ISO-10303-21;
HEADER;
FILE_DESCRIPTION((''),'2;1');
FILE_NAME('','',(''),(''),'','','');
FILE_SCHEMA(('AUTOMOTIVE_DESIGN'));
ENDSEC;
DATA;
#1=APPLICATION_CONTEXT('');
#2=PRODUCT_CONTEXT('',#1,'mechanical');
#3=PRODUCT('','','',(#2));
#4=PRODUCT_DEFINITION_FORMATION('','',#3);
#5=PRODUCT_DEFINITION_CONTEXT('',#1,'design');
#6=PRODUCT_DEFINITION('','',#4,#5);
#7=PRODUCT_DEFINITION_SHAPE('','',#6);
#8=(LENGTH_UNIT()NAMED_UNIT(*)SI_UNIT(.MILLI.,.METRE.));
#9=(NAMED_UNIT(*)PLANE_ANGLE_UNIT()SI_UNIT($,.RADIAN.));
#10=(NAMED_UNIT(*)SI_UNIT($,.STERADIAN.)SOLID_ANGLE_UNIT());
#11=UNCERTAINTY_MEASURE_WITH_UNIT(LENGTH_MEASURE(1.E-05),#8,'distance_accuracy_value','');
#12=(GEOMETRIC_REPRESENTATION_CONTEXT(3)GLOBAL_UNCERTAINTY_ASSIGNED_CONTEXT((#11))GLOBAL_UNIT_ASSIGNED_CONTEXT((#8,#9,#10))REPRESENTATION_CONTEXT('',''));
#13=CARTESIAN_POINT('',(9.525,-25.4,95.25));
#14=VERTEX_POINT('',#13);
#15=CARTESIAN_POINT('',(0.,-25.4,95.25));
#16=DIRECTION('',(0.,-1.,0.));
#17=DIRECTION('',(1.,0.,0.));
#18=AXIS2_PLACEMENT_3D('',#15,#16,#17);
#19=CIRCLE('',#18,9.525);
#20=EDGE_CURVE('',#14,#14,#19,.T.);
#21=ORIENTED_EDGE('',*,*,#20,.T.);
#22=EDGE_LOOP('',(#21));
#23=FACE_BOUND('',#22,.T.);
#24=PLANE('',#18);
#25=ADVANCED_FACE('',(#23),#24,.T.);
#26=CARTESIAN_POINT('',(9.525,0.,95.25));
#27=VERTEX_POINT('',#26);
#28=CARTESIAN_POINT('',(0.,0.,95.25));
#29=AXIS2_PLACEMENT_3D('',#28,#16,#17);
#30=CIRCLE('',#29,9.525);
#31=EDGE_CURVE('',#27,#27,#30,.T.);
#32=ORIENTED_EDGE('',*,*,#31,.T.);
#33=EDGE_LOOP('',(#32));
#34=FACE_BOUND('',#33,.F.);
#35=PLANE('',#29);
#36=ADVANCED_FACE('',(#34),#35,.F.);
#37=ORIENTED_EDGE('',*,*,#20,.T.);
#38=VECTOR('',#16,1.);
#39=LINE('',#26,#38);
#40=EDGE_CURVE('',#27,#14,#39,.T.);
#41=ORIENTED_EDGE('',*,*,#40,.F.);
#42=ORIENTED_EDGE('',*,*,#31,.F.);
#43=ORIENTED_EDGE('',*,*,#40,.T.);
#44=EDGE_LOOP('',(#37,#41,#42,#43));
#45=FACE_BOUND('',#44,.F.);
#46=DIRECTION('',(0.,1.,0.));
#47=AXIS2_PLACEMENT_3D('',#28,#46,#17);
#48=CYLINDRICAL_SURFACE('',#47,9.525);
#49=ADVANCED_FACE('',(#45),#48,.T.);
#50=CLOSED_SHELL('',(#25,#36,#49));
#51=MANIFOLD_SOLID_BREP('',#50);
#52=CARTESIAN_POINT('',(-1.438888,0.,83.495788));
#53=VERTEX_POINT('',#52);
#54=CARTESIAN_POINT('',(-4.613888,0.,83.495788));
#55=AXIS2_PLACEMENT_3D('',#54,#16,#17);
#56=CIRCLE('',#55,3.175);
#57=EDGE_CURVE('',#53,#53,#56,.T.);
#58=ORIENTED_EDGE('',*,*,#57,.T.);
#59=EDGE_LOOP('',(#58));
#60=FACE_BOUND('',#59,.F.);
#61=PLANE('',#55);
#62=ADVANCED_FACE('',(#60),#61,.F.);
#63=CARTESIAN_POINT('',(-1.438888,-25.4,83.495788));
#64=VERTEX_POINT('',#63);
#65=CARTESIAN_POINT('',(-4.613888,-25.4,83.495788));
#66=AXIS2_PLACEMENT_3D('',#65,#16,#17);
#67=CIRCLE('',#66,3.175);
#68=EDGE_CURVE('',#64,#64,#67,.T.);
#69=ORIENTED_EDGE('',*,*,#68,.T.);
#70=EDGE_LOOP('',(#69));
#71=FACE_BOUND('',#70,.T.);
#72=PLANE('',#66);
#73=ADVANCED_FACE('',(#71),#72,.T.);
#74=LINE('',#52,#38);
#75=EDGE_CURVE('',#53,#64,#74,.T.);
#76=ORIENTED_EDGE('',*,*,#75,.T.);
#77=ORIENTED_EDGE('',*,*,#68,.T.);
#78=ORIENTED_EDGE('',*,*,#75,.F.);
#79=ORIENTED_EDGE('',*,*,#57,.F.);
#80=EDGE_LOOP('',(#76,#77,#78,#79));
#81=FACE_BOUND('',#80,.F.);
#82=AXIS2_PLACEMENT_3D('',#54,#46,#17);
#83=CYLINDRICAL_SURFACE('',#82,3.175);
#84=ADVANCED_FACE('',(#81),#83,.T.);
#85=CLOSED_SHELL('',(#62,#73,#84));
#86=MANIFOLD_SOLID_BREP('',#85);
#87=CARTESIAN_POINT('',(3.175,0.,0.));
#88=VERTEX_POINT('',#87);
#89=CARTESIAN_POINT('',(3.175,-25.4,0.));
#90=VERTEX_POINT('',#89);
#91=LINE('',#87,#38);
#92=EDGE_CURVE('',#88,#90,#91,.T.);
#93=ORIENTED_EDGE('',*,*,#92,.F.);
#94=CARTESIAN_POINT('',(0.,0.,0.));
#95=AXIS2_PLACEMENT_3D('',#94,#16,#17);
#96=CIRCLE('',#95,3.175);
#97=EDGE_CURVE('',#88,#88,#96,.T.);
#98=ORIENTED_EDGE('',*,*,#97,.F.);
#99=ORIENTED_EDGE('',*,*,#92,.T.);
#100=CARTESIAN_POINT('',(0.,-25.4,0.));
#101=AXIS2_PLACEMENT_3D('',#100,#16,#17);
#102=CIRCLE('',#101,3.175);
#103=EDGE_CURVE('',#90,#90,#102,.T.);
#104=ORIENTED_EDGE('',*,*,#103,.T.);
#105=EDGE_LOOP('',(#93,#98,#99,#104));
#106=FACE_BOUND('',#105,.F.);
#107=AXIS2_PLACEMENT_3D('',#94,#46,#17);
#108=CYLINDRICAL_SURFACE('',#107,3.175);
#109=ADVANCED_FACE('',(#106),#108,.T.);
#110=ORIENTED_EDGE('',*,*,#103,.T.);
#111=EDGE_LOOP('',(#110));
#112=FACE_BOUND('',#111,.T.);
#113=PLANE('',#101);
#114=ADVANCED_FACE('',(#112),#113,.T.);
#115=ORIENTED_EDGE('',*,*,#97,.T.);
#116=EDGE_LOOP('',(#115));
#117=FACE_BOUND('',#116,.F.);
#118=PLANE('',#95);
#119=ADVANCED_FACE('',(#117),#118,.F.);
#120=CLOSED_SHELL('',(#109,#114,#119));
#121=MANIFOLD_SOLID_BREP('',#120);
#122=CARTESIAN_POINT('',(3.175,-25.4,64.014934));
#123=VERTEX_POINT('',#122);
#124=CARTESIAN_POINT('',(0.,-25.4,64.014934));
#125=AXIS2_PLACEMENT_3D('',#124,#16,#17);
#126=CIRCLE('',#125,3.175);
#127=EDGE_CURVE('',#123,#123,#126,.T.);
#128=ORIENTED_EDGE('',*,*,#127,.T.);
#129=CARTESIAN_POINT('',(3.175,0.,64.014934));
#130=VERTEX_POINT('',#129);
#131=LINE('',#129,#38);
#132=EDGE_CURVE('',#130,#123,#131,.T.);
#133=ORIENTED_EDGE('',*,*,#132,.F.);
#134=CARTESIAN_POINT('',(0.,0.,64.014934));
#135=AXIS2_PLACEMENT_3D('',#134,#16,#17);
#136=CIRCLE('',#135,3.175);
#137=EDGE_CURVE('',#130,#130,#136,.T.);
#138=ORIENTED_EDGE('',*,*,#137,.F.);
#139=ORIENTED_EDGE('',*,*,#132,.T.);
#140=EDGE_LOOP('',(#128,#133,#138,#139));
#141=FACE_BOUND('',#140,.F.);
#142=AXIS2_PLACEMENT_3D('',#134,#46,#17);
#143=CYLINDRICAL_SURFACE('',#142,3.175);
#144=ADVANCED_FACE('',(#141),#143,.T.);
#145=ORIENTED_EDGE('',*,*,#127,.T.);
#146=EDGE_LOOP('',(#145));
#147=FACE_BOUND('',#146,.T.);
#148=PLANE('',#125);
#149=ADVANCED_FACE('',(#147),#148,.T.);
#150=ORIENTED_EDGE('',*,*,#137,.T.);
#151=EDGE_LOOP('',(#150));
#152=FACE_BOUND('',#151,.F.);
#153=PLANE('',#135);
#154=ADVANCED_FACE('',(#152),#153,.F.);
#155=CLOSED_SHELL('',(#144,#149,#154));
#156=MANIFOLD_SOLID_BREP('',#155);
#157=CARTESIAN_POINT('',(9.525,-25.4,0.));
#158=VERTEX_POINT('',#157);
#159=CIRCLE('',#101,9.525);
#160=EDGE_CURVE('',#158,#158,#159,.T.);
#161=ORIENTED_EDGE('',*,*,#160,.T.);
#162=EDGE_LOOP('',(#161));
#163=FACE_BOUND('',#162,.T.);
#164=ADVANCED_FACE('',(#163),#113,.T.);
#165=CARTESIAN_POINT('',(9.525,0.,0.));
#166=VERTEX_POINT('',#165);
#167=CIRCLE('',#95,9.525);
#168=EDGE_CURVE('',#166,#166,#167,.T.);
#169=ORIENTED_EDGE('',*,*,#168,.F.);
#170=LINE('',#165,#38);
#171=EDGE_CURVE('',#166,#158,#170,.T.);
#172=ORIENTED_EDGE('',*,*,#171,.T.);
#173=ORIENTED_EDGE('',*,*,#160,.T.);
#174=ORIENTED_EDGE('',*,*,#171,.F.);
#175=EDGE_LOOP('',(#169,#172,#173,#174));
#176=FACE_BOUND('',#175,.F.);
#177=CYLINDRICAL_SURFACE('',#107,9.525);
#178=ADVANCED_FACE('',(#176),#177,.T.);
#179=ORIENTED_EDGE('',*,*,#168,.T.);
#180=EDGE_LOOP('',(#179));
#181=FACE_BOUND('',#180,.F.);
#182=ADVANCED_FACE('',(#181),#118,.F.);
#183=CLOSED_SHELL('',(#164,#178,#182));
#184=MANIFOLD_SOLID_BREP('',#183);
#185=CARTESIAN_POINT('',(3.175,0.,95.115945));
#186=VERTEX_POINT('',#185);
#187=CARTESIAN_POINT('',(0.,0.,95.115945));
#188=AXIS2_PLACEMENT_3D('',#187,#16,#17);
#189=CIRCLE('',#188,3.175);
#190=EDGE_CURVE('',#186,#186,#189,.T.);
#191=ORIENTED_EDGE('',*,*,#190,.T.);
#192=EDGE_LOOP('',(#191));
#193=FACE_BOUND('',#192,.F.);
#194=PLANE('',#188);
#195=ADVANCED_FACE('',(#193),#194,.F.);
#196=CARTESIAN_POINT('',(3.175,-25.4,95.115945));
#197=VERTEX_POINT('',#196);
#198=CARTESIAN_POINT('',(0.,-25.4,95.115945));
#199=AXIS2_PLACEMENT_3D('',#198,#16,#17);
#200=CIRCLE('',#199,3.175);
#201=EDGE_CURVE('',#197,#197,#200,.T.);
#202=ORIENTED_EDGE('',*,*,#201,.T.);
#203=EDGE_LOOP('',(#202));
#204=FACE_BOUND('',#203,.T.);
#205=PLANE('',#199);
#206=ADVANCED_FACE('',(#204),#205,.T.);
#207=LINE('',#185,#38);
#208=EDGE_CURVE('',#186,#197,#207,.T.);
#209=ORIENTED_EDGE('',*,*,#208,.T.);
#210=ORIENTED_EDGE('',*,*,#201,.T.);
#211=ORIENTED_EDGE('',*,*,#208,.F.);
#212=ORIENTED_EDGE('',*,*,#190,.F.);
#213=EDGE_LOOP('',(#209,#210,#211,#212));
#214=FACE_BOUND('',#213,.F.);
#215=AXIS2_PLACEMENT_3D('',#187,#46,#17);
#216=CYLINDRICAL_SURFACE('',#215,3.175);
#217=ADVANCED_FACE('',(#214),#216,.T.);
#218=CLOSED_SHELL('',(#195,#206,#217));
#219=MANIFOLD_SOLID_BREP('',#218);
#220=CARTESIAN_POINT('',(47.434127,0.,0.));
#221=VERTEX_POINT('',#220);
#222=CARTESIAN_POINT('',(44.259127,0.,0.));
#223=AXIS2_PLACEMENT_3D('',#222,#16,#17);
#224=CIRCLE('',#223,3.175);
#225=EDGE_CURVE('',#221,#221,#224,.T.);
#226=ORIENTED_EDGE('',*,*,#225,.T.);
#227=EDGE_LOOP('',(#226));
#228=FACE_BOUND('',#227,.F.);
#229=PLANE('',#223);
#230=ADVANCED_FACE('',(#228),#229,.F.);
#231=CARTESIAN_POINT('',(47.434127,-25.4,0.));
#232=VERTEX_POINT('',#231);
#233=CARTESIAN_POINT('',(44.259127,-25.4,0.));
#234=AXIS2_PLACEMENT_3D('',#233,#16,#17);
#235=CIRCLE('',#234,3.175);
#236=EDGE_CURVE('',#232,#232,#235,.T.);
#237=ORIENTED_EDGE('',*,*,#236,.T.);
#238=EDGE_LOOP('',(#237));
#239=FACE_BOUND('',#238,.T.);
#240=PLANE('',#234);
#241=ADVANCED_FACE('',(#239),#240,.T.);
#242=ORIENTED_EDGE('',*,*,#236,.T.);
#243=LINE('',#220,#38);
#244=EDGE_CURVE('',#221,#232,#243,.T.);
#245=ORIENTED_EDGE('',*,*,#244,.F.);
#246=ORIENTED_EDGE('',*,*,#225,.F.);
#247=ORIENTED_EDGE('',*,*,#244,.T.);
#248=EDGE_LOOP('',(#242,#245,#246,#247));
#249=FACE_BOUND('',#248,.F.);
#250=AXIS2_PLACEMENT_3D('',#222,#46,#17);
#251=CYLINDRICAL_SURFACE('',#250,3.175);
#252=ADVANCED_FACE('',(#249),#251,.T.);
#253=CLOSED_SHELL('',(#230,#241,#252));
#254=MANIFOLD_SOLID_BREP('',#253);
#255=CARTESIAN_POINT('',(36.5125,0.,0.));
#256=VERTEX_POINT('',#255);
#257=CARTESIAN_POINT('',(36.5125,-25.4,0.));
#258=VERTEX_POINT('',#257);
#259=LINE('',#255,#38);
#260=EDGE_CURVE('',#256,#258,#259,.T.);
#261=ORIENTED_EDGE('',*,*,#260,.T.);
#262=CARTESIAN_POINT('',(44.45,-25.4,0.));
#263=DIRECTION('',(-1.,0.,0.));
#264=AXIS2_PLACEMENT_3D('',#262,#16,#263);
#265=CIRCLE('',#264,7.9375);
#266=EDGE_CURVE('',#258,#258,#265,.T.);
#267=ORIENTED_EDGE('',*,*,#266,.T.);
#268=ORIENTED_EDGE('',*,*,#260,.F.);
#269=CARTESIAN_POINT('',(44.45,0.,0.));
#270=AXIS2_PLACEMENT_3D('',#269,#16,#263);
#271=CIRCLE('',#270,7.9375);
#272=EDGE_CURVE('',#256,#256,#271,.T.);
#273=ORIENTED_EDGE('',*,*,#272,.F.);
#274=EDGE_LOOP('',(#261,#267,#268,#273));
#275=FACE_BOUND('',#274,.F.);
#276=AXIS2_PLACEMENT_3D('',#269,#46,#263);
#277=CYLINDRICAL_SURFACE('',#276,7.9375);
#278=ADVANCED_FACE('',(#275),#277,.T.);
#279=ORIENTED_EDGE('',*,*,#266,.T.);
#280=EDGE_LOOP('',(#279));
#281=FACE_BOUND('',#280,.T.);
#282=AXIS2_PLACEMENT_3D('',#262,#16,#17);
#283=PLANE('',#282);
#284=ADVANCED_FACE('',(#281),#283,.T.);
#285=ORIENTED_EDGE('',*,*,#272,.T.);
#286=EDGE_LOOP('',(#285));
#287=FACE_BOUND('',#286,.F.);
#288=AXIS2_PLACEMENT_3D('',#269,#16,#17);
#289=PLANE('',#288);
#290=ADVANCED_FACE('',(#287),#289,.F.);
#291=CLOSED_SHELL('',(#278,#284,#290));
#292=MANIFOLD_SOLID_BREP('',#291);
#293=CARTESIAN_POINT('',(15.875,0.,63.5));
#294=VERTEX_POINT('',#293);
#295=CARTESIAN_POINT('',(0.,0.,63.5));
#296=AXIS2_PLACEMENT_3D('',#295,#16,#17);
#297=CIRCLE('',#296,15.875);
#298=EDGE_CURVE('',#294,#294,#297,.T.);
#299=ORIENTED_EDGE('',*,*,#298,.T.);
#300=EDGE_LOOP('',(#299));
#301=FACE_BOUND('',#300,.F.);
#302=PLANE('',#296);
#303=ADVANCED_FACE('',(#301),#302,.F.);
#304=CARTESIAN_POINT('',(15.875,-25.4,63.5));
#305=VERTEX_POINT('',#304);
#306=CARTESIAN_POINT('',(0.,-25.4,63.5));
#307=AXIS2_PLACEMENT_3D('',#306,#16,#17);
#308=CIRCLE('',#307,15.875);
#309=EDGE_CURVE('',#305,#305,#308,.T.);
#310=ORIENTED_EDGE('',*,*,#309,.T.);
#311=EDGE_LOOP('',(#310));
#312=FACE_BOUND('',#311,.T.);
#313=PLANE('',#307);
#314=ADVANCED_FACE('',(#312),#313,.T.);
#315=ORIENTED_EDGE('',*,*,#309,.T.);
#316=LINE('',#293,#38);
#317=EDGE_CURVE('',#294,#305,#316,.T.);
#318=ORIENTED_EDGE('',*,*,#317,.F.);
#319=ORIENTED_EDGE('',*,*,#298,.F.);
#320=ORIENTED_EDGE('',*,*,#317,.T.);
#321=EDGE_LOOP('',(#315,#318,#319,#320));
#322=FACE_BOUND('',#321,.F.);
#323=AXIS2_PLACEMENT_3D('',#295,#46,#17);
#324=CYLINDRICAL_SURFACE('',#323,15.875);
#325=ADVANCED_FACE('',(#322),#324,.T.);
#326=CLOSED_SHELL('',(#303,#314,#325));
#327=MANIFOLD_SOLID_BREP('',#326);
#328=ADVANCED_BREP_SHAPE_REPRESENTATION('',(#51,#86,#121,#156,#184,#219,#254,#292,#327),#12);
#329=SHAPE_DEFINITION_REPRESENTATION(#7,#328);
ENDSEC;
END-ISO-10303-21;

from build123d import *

# Parameters (mm, degrees)
F2_DEPTH = 25.4
F0_R     = 9.525
F0_R_2   = 15.875
F1_R     = 3.175


with BuildPart() as f2:
    # F0 (on Front) → F2 (new body)
    with BuildSketch(Plane.XZ):
        with BuildLine():
            ThreePointArc((52.3875, 0), (44.45, 7.9375), (36.5125, 0))
            ThreePointArc((36.5125, 0), (44.45, -7.9375), (52.3875, 0))
        make_face()
    extrude(amount=F2_DEPTH)


with BuildPart() as f2b:
    # F0 (on Front) → F2, piece 2 (new body)
    with BuildSketch(Plane.XZ):
        Circle(F0_R)
    extrude(amount=F2_DEPTH)


with BuildPart() as f2c:
    # F0 (on Front) → F2, piece 3 (new body)
    with BuildSketch(Plane.XZ):
        with Locations((0, 95.25)):
            Circle(F0_R)
    extrude(amount=F2_DEPTH)


with BuildPart() as f2d:
    # F0 (on Front) → F2, piece 4 (new body)
    with BuildSketch(Plane.XZ):
        with Locations((0, 63.5)):
            Circle(F0_R_2)
    extrude(amount=F2_DEPTH)


with BuildPart() as f2e:
    # F1 (on Front) → F2, piece 5 (new body)
    with BuildSketch(Plane.XZ):
        with Locations((0, 95.1159447432)):
            Circle(F1_R)
    extrude(amount=F2_DEPTH)


with BuildPart() as f2f:
    # F1 (on Front) → F2, piece 6 (new body)
    with BuildSketch(Plane.XZ):
        with Locations((0, 64.0149340034)):
            Circle(F1_R)
    extrude(amount=F2_DEPTH)


with BuildPart() as f2g:
    # F1 (on Front) → F2, piece 7 (new body)
    with BuildSketch(Plane.XZ):
        Circle(F1_R)
    extrude(amount=F2_DEPTH)


with BuildPart() as f2h:
    # F1 (on Front) → F2, piece 8 (new body)
    with BuildSketch(Plane.XZ):
        with Locations((44.2591272295, 0)):
            Circle(F1_R)
    extrude(amount=F2_DEPTH)


with BuildPart() as f2i:
    # F1 (on Front) → F2, piece 9 (new body)
    with BuildSketch(Plane.XZ):
        with Locations((-4.6138879843, 83.4957882762)):
            Circle(F1_R)
    extrude(amount=F2_DEPTH)


solid = Compound([f2.part, f2b.part, f2c.part, f2d.part, f2e.part, f2f.part, f2g.part, f2h.part, f2i.part])
